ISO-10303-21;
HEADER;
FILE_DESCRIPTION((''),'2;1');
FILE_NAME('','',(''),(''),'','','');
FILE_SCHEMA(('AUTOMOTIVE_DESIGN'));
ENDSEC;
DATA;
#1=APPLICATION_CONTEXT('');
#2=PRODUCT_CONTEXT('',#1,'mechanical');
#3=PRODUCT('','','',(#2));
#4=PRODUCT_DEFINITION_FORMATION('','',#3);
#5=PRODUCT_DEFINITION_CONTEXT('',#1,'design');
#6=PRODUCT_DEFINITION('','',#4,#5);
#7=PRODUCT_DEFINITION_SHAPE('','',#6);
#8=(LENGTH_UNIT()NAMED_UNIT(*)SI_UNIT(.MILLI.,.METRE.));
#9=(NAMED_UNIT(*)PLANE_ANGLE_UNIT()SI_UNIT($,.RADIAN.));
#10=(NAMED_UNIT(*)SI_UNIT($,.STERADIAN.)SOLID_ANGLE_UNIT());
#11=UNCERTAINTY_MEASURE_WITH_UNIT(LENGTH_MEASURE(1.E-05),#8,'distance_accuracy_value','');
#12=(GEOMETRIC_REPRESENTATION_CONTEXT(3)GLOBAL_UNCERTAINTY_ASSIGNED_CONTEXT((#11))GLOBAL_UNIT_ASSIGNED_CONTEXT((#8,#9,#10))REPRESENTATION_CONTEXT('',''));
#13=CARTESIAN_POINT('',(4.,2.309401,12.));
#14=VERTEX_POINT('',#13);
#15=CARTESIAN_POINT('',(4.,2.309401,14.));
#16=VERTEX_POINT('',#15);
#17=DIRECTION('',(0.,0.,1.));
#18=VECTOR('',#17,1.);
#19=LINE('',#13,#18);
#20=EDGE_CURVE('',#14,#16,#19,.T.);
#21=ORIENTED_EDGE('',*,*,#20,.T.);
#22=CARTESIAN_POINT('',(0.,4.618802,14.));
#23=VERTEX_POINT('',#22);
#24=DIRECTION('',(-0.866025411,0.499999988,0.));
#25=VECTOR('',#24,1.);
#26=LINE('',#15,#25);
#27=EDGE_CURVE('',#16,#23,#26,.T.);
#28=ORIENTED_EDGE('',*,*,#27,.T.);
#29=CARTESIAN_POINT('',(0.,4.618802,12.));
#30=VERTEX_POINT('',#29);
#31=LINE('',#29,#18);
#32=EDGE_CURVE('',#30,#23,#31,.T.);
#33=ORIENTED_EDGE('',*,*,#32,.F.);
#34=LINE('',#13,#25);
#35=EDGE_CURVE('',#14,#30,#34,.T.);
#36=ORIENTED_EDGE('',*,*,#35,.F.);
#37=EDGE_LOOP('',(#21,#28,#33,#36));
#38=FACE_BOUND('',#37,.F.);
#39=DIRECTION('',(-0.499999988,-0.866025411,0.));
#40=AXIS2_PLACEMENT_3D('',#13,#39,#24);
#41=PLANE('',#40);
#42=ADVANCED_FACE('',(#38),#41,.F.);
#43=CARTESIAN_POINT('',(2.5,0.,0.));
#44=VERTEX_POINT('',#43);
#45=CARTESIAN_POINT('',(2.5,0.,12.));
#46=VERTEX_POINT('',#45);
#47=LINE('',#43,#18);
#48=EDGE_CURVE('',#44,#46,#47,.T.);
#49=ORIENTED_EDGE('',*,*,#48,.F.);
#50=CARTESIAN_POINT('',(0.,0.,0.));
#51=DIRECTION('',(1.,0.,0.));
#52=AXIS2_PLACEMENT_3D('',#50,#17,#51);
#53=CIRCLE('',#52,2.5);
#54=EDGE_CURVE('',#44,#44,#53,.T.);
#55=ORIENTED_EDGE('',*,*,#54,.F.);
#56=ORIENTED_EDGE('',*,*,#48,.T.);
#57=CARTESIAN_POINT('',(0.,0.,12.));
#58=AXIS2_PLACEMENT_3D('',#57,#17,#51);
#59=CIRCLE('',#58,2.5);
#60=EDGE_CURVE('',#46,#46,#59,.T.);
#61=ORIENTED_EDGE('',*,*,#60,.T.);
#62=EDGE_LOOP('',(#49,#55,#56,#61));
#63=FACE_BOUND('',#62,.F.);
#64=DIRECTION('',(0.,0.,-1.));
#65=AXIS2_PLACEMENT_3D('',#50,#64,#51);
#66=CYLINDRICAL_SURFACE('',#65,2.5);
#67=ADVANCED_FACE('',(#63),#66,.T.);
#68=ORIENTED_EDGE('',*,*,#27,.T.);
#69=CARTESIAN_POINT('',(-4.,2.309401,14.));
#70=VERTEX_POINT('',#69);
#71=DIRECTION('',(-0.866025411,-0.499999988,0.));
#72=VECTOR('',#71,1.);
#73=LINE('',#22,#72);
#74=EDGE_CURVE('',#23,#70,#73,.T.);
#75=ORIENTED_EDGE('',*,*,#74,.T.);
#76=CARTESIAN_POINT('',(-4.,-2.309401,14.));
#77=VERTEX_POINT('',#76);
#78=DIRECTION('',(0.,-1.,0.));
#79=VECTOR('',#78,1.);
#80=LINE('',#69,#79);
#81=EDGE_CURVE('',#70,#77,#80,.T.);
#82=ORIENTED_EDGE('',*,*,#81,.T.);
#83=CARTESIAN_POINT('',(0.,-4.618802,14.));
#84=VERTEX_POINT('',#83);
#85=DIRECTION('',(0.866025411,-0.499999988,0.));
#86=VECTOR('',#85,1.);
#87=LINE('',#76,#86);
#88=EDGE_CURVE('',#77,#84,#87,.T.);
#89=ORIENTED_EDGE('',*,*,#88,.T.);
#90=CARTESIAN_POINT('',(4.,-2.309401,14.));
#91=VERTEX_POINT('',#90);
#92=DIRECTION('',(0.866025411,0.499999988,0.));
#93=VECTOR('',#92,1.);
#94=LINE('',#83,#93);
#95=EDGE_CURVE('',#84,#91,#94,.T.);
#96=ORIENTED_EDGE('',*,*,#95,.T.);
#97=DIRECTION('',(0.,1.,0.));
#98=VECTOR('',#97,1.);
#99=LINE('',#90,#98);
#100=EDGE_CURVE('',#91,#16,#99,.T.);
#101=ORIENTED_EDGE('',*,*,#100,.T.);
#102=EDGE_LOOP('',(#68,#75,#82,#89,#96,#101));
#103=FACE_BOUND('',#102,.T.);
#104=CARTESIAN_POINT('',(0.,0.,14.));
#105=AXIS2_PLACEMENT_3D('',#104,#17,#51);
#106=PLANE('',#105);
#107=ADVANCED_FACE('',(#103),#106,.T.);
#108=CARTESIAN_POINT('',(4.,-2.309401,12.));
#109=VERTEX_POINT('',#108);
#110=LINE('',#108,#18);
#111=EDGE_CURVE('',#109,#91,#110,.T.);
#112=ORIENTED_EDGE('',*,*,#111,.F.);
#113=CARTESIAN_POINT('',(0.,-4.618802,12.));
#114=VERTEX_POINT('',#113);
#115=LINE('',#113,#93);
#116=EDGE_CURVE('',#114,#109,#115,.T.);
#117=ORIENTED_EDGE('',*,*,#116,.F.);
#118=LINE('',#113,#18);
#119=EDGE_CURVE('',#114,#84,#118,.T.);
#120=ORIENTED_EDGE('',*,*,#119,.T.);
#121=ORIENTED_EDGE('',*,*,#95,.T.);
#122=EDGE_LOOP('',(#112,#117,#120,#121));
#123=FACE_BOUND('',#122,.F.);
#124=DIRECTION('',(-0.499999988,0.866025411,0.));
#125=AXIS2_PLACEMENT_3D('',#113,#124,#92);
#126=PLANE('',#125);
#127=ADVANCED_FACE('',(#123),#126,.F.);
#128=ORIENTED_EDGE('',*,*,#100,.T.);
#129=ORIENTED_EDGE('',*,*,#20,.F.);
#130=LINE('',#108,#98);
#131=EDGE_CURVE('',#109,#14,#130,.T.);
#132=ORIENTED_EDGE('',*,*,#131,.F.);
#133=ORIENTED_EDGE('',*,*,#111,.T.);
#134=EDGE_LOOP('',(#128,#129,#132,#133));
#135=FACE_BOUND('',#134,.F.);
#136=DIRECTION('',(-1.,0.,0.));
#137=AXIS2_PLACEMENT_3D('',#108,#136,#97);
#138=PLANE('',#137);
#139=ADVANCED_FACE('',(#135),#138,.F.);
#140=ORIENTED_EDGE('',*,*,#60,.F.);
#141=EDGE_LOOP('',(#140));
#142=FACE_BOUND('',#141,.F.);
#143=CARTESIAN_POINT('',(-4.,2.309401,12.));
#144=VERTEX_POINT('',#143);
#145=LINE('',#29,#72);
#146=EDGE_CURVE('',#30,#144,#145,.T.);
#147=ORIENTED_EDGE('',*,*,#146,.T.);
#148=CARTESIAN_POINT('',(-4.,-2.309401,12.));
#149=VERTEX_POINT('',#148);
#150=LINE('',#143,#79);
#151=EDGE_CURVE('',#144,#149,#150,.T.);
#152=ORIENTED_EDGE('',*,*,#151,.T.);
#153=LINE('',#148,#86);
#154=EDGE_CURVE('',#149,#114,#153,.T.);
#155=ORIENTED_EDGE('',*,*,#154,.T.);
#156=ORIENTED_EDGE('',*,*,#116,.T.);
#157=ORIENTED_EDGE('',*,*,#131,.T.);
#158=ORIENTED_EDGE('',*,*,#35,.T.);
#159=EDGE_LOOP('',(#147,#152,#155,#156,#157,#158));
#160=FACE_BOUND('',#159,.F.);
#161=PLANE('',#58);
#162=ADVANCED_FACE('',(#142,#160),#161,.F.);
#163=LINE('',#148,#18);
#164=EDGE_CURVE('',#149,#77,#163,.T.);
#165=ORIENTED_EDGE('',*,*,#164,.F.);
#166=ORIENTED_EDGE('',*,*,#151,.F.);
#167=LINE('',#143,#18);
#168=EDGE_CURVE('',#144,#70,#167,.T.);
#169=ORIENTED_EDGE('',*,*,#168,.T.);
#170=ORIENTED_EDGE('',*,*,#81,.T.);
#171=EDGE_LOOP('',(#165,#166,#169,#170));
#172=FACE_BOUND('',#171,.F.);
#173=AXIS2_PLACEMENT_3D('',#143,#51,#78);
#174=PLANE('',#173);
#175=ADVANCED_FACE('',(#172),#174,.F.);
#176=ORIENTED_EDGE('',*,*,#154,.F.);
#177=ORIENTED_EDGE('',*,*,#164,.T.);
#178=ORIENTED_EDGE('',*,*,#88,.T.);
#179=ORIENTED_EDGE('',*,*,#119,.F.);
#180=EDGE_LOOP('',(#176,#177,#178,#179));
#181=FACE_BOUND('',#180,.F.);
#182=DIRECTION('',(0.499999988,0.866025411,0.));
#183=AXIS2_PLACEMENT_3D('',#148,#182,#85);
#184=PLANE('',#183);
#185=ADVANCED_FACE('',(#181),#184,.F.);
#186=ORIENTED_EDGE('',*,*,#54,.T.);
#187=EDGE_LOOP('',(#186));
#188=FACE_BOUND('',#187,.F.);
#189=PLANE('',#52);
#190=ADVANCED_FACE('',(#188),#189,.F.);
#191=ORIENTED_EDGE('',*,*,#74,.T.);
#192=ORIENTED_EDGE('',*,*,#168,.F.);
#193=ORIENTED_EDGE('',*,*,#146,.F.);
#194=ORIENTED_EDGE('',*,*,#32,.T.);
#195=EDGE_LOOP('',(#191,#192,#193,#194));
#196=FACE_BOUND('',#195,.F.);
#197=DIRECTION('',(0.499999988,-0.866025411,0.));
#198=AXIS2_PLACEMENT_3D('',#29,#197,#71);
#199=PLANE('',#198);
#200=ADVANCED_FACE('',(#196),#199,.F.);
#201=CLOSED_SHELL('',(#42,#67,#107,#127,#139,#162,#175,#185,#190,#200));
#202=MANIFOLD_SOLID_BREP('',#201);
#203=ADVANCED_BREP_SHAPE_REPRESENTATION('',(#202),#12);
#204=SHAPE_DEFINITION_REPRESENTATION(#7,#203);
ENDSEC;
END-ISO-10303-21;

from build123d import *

# Parameters (mm, degrees)
F0_R     = 2.5
F1_DEPTH = 12
F3_DEPTH = 2


with BuildPart() as f1:
    # F0 (on Top) → F1 (new body)
    with BuildSketch(Plane.XY):
        Circle(F0_R)
    extrude(amount=F1_DEPTH)

    # F2 (on face) → F3 (join)
    with BuildSketch(Plane.XY.offset(12)):
        Polygon((-4, 2.309401), (-4, -2.309401), (0, -4.618802), (4, -2.309401), (4, 2.309401), (0, 4.618802), align=None)
    extrude(amount=F3_DEPTH)


solid = f1.part
